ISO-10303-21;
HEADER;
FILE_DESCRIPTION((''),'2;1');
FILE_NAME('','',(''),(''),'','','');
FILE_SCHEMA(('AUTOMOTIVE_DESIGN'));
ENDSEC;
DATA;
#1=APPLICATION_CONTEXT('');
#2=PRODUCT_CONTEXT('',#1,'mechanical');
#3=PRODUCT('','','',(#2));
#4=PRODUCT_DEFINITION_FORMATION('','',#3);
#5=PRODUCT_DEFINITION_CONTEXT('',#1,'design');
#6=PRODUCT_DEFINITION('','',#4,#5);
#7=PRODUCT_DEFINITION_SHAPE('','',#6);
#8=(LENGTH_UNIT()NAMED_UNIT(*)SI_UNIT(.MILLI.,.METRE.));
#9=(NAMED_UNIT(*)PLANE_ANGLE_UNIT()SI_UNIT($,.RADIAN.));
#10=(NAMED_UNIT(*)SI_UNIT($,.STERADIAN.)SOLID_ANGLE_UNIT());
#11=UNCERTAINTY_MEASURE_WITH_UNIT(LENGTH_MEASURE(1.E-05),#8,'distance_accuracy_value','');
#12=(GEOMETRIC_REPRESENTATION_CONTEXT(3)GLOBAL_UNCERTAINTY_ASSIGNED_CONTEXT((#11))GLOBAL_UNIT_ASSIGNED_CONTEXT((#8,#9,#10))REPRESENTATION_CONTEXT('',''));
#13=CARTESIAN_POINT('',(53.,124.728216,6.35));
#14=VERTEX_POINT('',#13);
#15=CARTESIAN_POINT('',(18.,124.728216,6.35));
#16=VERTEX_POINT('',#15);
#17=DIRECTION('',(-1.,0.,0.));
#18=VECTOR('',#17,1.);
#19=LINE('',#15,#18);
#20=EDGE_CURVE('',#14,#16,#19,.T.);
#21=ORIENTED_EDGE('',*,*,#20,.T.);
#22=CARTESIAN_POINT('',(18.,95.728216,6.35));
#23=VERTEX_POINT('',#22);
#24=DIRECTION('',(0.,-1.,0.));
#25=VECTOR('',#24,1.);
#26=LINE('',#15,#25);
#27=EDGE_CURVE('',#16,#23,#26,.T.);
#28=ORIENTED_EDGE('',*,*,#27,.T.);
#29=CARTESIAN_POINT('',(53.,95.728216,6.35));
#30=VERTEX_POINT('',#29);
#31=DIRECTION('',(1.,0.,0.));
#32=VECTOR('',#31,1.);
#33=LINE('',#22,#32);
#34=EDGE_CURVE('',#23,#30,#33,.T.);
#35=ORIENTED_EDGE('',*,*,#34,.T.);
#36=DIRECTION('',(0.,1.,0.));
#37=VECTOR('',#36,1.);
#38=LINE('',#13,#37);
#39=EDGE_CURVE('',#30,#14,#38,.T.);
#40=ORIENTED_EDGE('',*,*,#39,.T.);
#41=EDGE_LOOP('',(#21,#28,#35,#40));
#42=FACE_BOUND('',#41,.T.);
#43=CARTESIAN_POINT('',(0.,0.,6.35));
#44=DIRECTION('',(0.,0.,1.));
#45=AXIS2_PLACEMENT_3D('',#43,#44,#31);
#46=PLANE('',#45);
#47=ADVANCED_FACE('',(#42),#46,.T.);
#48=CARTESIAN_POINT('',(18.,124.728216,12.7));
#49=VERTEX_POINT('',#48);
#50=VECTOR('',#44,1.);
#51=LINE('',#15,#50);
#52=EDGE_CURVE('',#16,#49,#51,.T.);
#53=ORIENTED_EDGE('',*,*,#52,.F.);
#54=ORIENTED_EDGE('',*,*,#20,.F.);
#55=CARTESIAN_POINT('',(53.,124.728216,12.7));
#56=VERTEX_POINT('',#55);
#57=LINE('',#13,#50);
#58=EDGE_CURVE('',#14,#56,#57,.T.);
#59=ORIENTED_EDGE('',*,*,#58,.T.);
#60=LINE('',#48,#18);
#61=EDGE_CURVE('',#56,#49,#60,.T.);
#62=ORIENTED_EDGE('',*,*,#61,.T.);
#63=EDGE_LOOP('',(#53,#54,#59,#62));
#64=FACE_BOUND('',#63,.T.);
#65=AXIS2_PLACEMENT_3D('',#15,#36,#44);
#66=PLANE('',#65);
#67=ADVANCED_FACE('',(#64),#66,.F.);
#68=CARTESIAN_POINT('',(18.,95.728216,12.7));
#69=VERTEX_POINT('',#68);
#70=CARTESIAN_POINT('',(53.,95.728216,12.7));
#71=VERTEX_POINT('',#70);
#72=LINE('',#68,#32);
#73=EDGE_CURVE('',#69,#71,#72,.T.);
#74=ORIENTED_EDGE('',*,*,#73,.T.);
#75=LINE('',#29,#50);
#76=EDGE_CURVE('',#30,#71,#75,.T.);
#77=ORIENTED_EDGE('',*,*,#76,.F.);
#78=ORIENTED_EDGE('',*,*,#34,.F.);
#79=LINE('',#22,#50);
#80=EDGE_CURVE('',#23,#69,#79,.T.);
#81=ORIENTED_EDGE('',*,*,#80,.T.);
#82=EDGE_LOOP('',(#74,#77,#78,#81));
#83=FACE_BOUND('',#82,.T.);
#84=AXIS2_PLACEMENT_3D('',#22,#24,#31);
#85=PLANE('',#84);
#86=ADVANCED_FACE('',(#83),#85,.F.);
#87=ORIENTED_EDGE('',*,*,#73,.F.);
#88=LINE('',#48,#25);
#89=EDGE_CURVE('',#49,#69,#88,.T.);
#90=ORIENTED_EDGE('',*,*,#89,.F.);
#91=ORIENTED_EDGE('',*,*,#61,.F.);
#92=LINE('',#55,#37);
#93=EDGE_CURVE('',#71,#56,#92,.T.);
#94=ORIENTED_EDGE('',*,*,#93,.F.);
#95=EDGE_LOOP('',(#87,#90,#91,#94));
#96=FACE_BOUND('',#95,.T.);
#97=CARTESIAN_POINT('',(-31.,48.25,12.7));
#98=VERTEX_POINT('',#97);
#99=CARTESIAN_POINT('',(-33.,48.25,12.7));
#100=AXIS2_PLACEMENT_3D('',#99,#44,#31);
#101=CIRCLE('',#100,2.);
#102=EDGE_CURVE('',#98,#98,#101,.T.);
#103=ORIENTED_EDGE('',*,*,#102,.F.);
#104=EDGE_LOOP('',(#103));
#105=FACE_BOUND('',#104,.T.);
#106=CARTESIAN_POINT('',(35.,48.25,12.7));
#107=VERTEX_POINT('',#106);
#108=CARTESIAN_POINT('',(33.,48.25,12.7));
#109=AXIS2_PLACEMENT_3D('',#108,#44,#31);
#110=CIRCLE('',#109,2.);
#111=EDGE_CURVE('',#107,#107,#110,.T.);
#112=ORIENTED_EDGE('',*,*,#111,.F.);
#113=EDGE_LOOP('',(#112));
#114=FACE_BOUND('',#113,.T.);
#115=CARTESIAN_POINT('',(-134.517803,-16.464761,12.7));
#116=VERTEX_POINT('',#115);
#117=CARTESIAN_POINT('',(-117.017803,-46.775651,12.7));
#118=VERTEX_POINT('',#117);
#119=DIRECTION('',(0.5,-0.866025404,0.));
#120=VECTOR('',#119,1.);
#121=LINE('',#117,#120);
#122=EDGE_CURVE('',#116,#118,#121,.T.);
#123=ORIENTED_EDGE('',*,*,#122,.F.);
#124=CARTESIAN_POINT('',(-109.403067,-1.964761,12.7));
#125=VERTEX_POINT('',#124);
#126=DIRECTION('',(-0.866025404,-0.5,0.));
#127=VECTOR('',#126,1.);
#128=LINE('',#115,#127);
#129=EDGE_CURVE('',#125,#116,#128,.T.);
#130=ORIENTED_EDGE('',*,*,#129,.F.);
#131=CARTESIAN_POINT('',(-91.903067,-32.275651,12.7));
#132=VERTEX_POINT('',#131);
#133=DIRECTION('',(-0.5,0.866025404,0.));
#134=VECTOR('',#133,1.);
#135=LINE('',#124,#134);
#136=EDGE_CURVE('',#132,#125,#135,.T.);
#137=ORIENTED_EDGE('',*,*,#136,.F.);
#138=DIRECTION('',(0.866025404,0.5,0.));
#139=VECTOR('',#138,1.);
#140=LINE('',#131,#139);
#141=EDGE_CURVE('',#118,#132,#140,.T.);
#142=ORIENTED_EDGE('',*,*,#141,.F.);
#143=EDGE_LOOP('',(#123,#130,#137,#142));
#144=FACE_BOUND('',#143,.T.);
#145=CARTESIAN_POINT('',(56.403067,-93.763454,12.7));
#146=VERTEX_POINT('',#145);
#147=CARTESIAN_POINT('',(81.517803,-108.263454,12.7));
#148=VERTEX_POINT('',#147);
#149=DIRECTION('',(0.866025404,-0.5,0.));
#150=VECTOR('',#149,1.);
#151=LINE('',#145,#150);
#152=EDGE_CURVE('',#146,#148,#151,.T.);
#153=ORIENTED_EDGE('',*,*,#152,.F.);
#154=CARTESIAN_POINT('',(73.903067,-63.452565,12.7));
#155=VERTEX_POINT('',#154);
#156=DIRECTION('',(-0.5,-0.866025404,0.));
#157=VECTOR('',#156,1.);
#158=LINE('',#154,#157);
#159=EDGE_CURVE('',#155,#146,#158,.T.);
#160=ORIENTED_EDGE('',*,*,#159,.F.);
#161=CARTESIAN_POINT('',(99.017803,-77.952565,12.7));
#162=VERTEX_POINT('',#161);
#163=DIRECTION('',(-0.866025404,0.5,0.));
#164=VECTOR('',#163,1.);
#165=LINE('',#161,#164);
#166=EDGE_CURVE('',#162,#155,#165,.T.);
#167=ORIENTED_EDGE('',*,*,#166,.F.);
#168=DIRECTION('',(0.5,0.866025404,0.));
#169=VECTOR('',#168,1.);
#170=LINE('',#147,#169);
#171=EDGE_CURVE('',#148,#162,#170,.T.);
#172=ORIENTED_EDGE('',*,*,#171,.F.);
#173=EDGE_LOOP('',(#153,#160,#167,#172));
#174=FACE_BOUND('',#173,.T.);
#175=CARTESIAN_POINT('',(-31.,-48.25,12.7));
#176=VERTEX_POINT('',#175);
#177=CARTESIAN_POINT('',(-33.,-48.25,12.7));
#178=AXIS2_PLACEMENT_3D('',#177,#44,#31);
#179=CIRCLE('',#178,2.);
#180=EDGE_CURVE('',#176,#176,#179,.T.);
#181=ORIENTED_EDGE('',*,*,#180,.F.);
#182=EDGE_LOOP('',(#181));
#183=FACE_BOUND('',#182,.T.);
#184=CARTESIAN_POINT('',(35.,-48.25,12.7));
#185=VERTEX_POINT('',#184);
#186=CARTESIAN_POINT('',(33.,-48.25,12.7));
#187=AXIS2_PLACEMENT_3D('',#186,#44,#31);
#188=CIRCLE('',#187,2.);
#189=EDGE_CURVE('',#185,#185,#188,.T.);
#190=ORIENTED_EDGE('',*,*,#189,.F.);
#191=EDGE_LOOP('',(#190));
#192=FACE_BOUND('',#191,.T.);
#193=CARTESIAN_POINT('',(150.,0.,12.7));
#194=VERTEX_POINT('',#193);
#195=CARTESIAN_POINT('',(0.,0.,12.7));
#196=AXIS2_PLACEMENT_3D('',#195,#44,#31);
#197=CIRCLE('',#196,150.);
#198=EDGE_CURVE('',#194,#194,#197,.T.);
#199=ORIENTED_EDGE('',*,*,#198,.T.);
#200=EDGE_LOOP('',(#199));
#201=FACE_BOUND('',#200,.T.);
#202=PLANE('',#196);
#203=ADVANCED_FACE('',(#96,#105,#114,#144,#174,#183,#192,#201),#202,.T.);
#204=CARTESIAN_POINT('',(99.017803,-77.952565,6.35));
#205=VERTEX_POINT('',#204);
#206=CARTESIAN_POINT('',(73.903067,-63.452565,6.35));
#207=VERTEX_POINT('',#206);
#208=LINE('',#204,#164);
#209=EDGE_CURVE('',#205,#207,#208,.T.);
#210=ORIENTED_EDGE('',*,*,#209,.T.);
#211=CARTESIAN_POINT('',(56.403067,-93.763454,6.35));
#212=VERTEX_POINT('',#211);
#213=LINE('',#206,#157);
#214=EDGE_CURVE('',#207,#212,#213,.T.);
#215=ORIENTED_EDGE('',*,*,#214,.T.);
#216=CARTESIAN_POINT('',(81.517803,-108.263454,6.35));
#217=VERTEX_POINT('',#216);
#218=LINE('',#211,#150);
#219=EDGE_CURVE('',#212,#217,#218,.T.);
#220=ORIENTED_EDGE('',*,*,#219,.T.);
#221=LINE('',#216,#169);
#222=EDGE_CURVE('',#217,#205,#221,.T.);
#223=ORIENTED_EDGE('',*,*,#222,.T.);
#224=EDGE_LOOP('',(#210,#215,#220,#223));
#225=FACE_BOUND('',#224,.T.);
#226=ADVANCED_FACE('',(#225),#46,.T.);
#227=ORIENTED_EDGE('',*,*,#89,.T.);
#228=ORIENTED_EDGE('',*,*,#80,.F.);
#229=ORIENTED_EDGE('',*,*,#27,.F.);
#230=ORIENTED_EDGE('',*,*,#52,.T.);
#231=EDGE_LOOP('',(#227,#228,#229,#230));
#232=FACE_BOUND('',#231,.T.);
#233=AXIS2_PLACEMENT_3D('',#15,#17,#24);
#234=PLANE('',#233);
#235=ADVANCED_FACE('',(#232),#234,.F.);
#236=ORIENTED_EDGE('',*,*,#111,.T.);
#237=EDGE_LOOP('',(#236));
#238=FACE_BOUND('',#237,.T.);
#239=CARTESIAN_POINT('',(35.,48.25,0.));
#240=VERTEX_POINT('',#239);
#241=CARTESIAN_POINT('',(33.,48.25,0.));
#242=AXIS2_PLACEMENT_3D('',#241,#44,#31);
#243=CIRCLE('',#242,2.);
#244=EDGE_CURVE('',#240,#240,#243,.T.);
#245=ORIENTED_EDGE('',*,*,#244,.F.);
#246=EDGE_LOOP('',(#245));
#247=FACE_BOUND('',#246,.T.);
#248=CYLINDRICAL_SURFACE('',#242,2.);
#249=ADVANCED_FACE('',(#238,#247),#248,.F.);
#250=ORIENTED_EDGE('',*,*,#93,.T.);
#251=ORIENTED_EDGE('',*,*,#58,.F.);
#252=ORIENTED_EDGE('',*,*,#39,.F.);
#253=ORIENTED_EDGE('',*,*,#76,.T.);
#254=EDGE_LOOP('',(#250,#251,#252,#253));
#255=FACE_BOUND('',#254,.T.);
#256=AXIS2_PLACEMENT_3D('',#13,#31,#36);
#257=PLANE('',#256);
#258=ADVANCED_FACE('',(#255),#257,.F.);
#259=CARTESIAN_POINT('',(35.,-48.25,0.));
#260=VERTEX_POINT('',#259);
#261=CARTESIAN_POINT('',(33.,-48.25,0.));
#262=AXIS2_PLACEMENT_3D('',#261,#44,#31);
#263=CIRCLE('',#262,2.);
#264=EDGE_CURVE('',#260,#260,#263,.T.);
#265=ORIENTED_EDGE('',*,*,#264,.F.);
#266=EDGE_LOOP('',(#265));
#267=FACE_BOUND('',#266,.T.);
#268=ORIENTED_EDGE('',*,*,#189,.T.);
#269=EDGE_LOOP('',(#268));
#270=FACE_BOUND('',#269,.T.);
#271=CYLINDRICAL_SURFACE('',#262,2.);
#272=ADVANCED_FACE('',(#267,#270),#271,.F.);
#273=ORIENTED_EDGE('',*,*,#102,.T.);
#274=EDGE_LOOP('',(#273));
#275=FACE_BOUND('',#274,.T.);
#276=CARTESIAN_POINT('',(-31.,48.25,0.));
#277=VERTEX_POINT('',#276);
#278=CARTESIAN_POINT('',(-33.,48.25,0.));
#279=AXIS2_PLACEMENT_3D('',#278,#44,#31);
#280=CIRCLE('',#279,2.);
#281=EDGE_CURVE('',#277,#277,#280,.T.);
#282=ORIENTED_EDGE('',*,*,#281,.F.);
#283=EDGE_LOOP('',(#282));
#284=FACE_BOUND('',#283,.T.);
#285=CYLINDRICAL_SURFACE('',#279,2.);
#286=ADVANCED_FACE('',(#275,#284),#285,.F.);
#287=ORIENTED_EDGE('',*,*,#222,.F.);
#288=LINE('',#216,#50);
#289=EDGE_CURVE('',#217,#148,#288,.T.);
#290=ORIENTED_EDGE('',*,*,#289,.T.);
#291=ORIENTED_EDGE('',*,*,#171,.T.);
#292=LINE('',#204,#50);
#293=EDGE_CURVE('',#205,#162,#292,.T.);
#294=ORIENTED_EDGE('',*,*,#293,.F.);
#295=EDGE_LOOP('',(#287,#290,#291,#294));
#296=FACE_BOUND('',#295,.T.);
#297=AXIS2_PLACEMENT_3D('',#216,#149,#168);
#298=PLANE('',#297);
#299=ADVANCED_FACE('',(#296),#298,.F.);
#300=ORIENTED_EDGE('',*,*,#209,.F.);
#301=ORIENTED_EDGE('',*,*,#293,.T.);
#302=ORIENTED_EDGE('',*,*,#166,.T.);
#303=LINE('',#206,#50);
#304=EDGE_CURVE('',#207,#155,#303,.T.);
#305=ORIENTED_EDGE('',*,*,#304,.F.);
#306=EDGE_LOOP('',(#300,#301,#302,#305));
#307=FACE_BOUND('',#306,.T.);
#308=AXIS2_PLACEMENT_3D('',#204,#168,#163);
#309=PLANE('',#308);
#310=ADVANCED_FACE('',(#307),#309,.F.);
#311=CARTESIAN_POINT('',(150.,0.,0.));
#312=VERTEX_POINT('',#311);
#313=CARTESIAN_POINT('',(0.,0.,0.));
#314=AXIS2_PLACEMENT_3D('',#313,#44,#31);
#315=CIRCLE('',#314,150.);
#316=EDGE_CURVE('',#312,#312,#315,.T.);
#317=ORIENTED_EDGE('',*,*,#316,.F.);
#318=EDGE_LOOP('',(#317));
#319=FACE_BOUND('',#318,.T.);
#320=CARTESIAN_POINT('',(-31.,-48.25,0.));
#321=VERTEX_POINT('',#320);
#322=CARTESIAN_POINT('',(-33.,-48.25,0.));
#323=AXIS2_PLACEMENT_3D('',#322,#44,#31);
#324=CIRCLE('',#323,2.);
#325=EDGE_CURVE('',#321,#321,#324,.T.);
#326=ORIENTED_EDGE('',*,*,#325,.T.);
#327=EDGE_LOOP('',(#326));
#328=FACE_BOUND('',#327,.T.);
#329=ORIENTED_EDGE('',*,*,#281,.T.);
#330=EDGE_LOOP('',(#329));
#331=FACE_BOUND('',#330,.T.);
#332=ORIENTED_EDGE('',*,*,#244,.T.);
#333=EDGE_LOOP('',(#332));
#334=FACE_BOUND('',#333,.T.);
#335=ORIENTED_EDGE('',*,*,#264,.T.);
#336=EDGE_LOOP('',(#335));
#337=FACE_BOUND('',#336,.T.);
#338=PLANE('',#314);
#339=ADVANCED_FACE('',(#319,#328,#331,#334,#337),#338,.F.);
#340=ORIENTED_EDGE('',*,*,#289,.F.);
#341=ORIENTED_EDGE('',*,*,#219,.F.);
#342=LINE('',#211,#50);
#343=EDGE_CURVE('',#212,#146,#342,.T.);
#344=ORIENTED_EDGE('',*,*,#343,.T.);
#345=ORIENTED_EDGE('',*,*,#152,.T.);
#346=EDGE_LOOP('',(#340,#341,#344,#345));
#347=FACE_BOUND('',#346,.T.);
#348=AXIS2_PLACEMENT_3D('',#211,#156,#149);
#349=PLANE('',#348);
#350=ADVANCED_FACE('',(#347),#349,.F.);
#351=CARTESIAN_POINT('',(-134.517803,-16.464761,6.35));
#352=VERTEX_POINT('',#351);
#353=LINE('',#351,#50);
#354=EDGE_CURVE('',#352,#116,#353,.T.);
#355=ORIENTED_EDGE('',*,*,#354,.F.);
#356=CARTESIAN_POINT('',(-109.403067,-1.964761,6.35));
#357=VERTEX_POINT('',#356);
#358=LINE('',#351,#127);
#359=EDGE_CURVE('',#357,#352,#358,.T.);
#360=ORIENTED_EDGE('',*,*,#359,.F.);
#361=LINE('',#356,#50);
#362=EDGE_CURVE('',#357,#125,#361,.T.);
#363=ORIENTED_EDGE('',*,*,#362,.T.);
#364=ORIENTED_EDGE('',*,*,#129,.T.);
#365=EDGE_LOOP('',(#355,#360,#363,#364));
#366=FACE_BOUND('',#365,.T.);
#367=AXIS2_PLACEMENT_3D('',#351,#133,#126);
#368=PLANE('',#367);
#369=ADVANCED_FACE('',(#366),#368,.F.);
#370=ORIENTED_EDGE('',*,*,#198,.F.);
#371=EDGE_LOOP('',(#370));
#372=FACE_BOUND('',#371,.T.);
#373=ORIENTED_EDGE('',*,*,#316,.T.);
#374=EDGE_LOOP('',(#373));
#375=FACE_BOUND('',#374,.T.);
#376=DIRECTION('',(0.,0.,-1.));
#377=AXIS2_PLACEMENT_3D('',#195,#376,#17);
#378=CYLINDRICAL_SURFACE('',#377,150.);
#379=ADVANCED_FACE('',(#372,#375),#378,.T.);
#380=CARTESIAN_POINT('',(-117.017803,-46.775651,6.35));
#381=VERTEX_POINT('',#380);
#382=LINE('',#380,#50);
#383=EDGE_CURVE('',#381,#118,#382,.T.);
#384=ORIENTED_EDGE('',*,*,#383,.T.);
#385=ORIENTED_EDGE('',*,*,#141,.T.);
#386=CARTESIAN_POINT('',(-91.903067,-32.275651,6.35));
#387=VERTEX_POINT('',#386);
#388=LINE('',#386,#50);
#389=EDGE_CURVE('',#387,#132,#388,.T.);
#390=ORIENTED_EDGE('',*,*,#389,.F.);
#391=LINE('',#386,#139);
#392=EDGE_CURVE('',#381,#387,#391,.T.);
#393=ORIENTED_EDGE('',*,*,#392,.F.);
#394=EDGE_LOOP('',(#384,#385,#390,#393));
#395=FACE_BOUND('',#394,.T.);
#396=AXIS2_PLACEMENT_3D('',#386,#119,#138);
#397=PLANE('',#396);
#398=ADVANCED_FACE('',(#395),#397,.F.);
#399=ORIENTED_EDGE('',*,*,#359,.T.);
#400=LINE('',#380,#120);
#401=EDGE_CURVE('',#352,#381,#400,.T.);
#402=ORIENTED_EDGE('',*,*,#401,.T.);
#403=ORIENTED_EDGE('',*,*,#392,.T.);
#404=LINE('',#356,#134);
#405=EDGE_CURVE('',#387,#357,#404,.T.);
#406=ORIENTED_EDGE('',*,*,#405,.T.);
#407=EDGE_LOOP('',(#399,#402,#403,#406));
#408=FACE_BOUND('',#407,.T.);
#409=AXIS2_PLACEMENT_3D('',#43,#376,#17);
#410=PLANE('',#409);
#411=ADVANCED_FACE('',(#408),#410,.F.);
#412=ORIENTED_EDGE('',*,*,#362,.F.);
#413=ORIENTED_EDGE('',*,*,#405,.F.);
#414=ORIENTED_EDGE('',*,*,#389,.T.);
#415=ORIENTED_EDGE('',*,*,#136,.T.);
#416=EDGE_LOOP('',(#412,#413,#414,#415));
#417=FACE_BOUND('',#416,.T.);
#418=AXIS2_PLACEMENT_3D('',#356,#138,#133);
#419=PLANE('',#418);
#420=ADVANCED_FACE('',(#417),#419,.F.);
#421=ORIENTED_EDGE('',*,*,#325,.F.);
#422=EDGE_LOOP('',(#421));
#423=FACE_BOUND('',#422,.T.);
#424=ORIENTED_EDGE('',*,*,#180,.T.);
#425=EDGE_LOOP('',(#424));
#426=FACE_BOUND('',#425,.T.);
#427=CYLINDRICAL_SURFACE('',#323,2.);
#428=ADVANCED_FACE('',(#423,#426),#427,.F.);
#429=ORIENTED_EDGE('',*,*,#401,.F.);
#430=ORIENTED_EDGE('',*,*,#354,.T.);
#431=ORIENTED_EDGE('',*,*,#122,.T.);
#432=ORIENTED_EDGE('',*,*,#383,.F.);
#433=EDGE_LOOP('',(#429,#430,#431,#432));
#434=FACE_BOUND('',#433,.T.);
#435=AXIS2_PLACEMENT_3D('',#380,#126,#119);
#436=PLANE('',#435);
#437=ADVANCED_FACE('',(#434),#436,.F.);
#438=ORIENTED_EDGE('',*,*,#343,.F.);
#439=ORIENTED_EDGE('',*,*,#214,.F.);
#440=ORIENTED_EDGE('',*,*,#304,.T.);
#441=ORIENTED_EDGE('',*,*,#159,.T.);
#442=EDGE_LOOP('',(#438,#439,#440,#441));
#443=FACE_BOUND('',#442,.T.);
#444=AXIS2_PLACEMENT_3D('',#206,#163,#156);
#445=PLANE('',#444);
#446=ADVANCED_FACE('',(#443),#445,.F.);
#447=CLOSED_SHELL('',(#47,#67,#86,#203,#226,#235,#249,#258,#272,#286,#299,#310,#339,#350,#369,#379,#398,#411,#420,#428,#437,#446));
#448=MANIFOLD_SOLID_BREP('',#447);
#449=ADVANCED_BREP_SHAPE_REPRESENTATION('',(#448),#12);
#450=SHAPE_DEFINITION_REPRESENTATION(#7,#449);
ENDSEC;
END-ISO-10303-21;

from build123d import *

# Parameters (mm, degrees)
ESQUISSE1_R             = 150
BOSS_EXTRU_1_DEPTH      = 12.7
ESQUISSE2_R             = 2
ENL_V_MAT_EXTRU_1_DEPTH = 12.7
ESQUISSE6_W             = 35
ESQUISSE6_H             = 29
ENL_V_MAT_EXTRU_2_DEPTH = 6.35


with BuildPart() as part:
    # Esquisse1 → Boss.-Extru.1 (new body)
    with BuildSketch(Plane.XY):
        Circle(ESQUISSE1_R)
    extrude(amount=BOSS_EXTRU_1_DEPTH)

    # Esquisse2 → Enlèv. mat.-Extru.1 (cut)
    with BuildSketch(Plane.XY.offset(12.7)):
        with Locations((-33, 48.25)):
            Circle(ESQUISSE2_R)
        with Locations((33, 48.25)):
            Circle(ESQUISSE2_R)
        with Locations((-33, -48.25)):
            Circle(ESQUISSE2_R)
        with Locations((33, -48.25)):
            Circle(ESQUISSE2_R)
    extrude(amount=-ENL_V_MAT_EXTRU_1_DEPTH, mode=Mode.SUBTRACT)

    # Esquisse6 → Enlèv. mat.-Extru.2 (cut)
    with BuildSketch(Plane.XY.offset(12.7)):
        with Locations((35.5, 110.228215567)):
            Rectangle(ESQUISSE6_W, ESQUISSE6_H)
        Polygon((73.90306654, -63.452565052), (56.40306654, -93.763454184), (81.51780325, -108.263454184), (99.01780325, -77.952565052), align=None)
        Polygon((-109.40306654, -1.964761383), (-91.90306654, -32.275650515), (-117.01780325, -46.775650515), (-134.51780325, -16.464761383), align=None)
    extrude(amount=-ENL_V_MAT_EXTRU_2_DEPTH, mode=Mode.SUBTRACT)


solid = part.part
